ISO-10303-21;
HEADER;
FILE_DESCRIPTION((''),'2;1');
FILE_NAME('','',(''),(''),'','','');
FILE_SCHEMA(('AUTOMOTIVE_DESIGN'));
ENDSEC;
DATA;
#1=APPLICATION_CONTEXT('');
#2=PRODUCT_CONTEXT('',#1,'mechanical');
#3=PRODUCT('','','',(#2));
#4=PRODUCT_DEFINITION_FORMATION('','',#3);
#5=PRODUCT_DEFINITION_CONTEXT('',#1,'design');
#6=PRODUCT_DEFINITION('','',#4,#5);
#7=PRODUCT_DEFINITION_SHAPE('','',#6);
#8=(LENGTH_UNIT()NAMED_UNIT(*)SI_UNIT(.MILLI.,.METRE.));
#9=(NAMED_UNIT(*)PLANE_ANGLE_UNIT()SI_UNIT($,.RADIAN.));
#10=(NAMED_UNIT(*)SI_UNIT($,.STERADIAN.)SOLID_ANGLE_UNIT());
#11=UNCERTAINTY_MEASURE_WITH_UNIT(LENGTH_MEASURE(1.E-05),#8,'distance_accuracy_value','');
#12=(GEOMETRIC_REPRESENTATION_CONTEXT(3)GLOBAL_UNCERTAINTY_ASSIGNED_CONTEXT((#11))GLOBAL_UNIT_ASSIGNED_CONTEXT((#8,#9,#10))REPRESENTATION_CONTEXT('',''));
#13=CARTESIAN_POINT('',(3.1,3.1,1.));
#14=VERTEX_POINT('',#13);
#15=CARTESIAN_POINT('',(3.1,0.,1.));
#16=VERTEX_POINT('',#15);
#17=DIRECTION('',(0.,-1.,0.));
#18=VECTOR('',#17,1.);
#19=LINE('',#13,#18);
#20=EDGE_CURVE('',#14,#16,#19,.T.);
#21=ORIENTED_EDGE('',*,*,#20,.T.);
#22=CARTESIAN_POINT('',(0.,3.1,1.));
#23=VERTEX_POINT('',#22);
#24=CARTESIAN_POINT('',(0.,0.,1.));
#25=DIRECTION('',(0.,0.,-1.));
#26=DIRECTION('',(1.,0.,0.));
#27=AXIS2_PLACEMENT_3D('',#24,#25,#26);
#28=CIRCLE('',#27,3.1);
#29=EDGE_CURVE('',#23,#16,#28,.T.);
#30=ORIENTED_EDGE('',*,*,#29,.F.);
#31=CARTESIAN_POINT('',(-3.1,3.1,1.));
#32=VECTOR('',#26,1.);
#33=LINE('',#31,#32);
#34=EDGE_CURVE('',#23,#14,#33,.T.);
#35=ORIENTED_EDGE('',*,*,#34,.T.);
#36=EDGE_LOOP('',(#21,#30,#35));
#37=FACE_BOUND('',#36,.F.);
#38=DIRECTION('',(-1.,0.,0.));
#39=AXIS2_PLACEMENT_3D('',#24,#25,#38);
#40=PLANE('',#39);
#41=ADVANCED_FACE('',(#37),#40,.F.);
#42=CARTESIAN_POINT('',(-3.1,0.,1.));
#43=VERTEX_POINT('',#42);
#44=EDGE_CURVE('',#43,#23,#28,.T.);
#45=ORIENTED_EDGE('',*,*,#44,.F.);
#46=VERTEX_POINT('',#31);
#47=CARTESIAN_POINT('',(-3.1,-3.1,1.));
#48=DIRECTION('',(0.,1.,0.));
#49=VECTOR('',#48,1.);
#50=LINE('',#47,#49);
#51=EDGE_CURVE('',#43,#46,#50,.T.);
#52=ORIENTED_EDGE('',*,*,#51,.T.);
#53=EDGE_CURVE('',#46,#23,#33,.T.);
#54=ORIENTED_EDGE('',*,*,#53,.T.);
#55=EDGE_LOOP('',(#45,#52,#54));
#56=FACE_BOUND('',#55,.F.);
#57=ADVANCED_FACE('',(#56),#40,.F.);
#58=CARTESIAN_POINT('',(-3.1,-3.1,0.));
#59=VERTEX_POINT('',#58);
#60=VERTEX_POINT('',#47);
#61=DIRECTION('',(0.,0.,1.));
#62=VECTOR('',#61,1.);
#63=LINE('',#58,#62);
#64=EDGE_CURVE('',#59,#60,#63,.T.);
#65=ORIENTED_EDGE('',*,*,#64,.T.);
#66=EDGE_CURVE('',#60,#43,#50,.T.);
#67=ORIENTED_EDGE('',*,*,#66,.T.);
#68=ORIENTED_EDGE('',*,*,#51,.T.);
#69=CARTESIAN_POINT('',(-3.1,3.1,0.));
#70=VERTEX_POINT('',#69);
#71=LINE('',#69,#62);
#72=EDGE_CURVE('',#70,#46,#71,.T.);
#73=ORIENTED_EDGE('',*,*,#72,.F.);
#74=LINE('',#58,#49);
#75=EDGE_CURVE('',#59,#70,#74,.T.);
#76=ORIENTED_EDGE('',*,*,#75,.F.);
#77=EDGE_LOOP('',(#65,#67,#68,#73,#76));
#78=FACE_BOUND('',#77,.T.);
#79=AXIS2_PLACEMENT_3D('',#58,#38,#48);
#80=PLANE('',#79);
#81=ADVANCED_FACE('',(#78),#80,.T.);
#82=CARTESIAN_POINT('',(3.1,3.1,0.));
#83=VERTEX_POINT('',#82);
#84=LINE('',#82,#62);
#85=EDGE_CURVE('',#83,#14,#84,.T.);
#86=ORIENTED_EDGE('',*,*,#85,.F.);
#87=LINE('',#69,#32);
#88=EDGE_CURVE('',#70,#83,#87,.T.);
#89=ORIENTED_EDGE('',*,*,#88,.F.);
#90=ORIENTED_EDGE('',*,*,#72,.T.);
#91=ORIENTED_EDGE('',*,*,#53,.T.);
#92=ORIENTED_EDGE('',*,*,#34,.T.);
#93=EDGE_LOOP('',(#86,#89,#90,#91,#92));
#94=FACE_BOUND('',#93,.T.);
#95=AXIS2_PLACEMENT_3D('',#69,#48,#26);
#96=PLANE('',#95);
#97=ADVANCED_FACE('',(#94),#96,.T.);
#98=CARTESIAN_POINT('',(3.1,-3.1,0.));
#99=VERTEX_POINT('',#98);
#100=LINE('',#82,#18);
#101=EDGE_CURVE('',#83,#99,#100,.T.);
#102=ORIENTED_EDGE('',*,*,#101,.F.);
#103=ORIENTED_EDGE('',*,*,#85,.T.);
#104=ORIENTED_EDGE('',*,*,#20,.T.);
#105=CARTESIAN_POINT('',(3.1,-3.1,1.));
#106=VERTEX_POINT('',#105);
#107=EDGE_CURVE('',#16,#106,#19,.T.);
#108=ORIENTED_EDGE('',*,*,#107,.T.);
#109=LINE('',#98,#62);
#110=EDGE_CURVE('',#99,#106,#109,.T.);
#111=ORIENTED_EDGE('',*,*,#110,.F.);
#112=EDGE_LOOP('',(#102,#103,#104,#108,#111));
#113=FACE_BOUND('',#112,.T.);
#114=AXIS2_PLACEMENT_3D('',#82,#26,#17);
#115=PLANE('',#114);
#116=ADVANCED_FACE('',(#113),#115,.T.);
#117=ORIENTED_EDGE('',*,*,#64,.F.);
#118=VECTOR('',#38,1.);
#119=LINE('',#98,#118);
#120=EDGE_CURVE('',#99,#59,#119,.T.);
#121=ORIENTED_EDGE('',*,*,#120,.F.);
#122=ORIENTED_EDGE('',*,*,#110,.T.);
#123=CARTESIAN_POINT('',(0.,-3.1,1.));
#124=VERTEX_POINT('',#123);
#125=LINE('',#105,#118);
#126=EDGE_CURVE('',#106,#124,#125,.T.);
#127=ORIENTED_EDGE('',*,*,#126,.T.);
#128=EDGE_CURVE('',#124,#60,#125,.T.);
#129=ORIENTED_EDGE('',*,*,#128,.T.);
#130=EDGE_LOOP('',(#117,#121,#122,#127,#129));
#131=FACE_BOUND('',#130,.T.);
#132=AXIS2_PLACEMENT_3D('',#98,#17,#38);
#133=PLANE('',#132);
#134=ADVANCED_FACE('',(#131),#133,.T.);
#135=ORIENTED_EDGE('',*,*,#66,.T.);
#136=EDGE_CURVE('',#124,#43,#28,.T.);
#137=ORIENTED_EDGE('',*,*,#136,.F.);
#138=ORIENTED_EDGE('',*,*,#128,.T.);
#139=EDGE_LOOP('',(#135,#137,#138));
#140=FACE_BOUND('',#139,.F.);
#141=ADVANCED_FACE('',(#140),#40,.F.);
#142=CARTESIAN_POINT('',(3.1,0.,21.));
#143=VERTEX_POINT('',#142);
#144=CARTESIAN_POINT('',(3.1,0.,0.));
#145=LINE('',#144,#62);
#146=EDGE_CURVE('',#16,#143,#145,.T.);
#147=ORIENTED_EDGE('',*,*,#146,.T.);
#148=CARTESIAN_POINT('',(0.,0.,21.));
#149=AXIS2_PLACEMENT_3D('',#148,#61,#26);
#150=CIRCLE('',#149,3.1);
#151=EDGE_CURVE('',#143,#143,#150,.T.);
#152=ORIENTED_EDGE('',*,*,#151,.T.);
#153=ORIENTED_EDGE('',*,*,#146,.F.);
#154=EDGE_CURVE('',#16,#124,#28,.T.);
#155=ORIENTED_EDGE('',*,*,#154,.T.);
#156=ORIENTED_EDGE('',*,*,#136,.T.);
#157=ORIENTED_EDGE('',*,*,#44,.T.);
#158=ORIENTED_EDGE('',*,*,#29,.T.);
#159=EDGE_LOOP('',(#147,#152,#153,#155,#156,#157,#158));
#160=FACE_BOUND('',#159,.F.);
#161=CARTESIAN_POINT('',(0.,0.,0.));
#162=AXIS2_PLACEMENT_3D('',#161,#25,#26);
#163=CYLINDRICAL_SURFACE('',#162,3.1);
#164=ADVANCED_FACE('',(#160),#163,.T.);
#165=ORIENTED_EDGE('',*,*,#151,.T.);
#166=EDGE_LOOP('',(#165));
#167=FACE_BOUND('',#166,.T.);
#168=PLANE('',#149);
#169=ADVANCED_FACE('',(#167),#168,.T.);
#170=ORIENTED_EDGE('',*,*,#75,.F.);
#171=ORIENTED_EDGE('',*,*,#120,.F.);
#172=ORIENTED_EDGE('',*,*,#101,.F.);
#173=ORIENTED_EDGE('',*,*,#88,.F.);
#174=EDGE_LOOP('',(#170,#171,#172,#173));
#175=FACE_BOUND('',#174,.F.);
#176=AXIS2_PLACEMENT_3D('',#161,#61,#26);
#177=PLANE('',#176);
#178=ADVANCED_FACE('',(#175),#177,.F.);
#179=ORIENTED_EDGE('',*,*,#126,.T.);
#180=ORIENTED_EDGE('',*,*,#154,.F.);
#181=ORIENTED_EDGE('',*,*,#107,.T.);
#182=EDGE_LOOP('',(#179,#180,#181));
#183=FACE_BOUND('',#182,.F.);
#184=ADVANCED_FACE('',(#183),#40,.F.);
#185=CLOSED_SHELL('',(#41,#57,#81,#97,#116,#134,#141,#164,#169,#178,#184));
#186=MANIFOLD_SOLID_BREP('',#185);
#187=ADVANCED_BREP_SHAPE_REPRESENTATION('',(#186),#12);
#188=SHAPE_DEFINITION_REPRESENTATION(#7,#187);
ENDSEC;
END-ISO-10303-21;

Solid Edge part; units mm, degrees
sketch "Sketch1" plane through (0, 0, 0) normal (0, 0, 1) x (1, 0, 0)
  circle A0 centre (0, 0) radius 3.1
extrude "Protrusion1" add sketch "Sketch1" along normal blind 21
sketch "Sketch2" plane through (0, 0, 0) normal (0, 0, -1) x (1, 0, 0)
  line L0 (3.1, 3.1) -> (-3.1, 3.1)
  line L1 (-3.1, 3.1) -> (-3.1, -3.1)
  line L2 (-3.1, -3.1) -> (3.1, -3.1)
  line L3 (3.1, -3.1) -> (3.1, 3.1)
extrude "ExtrudedProtrusion_2" add sketch "Sketch2" against normal blind 1
